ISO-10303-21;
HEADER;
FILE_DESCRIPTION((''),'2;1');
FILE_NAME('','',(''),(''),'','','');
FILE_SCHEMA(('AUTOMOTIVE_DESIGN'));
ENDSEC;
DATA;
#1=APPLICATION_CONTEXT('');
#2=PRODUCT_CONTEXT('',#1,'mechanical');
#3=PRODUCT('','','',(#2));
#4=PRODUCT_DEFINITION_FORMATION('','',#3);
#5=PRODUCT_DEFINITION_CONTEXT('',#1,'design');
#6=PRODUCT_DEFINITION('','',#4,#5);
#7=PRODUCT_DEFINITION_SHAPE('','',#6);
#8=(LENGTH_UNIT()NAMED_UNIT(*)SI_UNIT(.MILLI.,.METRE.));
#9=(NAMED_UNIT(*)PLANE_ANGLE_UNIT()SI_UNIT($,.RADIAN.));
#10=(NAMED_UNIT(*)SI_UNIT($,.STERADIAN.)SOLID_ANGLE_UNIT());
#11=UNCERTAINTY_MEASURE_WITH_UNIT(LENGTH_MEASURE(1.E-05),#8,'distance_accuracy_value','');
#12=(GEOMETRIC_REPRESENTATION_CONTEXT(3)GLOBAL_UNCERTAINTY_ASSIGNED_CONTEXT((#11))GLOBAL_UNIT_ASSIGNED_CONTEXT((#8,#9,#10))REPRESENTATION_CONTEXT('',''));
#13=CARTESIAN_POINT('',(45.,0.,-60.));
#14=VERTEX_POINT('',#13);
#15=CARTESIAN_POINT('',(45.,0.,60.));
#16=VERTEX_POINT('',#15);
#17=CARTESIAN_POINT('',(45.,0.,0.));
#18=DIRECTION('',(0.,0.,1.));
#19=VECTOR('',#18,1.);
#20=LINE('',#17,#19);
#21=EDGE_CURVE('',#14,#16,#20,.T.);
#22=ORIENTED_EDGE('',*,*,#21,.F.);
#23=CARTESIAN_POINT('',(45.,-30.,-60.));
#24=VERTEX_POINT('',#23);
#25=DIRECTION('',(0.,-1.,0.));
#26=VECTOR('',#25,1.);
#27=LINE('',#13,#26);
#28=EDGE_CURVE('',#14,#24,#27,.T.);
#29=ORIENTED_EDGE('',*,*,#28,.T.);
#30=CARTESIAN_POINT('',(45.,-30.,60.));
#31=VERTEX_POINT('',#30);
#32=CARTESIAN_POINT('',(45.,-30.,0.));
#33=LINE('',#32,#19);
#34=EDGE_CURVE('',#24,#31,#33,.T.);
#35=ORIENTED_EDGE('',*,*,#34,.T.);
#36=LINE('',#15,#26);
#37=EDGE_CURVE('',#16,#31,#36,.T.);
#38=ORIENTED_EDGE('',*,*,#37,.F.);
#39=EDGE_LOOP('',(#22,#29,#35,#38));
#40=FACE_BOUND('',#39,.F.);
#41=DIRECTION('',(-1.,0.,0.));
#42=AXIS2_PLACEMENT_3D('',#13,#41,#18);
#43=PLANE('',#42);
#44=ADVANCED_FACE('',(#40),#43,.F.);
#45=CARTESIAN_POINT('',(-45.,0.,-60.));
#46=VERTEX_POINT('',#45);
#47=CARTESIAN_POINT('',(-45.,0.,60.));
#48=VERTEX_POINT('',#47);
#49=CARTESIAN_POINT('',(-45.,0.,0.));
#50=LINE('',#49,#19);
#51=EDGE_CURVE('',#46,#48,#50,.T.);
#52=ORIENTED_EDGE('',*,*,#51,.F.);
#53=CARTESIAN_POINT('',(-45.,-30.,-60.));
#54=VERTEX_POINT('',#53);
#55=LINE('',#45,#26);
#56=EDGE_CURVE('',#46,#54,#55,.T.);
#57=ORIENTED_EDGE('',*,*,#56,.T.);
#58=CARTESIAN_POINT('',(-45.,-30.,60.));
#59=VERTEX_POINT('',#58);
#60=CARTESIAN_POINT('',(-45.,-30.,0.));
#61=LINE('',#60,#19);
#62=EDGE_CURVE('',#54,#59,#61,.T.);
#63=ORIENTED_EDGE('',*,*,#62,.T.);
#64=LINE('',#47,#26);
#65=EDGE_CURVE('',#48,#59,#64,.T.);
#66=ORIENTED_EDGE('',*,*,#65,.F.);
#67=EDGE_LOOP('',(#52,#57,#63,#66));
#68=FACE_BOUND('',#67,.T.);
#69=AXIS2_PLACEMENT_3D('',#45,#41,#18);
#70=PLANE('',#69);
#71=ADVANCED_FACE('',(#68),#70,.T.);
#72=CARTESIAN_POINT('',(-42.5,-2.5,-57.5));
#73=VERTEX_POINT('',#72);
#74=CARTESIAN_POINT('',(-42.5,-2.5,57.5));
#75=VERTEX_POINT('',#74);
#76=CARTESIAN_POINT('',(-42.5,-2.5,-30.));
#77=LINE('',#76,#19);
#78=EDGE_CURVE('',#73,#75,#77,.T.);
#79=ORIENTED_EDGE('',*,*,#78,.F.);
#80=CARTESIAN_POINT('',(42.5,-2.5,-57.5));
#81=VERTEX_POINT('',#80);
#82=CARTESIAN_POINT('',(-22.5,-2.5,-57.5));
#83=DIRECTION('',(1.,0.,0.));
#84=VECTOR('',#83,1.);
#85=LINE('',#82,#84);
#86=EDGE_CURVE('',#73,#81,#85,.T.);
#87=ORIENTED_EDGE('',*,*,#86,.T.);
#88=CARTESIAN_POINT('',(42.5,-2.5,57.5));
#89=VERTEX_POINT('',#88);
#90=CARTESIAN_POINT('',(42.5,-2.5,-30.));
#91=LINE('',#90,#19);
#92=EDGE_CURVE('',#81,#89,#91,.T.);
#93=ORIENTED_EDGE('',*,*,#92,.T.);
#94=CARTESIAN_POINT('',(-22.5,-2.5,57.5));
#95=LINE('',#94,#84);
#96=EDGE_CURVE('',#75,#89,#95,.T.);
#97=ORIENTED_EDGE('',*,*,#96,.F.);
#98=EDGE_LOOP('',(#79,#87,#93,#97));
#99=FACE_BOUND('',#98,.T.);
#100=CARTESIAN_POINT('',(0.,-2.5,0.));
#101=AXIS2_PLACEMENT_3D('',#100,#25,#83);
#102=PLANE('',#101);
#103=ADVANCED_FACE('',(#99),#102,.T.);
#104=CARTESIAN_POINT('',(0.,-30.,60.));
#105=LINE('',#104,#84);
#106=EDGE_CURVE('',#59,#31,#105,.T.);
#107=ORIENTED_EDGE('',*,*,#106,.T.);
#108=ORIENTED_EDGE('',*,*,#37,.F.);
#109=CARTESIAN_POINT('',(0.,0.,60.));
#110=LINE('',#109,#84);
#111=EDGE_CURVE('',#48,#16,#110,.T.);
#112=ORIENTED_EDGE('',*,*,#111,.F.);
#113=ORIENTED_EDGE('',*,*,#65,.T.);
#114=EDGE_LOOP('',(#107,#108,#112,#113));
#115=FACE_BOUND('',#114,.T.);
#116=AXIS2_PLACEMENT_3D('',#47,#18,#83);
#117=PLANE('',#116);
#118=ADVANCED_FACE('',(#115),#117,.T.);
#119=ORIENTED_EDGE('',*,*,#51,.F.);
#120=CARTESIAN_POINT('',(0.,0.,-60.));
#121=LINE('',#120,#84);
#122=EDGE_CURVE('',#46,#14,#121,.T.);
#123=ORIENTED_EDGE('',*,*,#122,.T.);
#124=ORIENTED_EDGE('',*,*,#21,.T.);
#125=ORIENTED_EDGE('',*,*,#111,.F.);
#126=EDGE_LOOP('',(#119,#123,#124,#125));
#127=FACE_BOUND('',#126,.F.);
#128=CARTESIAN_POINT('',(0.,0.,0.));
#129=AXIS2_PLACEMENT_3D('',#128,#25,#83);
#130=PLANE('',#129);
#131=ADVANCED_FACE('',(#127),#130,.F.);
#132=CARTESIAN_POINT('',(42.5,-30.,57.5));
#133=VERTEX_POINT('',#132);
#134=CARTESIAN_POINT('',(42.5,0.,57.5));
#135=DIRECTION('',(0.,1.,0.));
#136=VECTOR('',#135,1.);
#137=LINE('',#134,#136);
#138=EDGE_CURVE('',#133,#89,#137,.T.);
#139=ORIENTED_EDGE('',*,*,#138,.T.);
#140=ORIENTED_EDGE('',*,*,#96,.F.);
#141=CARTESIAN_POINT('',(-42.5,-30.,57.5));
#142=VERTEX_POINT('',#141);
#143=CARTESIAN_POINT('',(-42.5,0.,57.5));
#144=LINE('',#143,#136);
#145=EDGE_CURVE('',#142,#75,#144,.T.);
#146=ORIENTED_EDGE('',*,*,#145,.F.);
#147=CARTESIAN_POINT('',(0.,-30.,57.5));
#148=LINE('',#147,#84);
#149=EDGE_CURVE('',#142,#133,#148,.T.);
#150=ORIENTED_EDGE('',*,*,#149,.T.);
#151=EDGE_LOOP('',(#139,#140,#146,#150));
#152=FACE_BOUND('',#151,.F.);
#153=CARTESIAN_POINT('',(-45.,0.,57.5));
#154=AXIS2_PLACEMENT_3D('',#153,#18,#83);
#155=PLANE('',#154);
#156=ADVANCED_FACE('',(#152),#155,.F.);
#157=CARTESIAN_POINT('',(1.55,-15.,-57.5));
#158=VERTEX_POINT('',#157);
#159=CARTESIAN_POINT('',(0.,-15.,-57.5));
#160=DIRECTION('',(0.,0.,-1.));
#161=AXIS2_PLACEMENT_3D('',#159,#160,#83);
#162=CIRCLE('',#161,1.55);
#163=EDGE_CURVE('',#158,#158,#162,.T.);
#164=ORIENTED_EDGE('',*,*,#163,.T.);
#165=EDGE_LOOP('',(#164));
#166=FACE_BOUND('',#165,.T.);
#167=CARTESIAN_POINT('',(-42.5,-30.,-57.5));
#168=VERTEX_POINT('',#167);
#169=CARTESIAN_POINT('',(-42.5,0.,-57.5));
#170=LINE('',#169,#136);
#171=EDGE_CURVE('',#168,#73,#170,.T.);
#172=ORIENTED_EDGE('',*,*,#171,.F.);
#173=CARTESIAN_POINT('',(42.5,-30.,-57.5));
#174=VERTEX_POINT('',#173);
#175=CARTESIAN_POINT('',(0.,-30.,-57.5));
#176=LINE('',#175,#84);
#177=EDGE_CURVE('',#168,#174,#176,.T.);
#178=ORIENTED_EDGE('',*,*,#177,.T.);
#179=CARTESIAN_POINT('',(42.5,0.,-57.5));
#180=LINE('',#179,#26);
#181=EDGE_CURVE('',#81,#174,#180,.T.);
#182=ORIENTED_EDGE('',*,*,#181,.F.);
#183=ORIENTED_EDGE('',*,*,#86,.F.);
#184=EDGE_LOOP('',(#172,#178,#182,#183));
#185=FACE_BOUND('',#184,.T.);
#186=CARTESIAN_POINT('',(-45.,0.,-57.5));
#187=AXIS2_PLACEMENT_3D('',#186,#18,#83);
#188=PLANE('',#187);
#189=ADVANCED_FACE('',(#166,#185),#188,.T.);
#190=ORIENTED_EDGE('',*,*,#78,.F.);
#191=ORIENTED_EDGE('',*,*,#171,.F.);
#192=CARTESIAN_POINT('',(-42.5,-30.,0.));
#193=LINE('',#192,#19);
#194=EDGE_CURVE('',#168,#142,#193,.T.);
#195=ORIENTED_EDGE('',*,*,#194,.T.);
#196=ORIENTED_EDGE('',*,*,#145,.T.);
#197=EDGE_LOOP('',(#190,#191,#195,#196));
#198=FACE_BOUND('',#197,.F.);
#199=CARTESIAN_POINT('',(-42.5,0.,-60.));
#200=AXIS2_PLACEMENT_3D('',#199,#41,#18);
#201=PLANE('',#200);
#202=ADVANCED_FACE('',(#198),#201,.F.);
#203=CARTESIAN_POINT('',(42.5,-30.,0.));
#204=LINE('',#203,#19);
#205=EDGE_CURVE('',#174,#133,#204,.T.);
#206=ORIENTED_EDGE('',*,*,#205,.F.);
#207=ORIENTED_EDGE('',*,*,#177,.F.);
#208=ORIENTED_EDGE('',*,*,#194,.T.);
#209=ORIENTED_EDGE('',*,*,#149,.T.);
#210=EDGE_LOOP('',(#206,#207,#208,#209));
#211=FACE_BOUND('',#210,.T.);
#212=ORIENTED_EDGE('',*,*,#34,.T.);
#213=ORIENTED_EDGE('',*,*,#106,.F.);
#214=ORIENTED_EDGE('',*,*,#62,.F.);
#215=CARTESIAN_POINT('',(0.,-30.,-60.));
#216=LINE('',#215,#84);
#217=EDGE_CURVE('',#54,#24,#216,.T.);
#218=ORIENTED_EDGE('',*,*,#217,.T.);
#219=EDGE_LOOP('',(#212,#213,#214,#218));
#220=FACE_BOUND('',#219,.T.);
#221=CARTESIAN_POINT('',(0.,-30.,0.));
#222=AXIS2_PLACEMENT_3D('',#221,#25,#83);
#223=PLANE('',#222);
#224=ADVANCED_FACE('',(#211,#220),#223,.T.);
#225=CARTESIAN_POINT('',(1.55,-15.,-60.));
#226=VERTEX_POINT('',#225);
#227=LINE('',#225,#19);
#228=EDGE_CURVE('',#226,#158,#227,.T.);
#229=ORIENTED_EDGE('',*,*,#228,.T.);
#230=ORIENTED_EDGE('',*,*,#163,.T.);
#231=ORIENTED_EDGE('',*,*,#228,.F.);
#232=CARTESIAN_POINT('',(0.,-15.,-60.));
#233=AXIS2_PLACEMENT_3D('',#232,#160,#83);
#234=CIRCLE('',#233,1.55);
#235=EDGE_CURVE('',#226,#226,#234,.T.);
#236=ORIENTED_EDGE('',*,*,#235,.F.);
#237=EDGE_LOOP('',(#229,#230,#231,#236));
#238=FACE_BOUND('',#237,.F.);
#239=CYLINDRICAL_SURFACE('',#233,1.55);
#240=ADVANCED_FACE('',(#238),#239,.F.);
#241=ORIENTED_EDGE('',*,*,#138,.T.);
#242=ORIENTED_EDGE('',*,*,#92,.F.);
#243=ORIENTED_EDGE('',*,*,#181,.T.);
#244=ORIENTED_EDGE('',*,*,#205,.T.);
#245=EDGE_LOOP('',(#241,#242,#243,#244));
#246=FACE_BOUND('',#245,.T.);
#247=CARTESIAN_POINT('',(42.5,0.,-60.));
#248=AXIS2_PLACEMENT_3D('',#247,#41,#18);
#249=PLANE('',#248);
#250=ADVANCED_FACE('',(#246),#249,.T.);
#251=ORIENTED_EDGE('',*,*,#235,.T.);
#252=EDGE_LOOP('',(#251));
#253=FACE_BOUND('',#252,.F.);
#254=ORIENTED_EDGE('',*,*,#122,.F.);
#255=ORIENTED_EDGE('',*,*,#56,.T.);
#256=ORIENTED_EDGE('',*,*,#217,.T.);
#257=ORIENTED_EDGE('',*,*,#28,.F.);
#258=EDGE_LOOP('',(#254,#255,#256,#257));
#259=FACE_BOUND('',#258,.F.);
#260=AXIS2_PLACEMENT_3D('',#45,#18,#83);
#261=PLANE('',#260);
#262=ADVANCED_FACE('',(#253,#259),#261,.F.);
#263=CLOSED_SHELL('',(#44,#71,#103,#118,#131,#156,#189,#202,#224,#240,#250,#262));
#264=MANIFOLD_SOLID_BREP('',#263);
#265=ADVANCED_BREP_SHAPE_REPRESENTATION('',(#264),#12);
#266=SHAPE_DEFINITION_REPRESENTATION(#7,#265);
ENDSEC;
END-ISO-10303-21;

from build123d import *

# Parameters (mm, degrees)
F0_W     = 90
F0_H     = 120
F1_DEPTH = 30
F2_T     = -2.5
F3_R     = 1.55
F4_DEPTH = 25


with BuildPart() as f1:
    # F0 (on Front) → F1 (new body)
    with BuildSketch(Plane.XZ):
        Rectangle(F0_W, F0_H)
    extrude(amount=F1_DEPTH)

    # F2
    f2_openings = [f1.faces().sort_by_distance(p)[0] for p in [
        (0, -30, 0),
    ]]
    offset(amount=F2_T, openings=f2_openings)

    # F3 (on face) → F4 (cut)
    with BuildSketch(Plane(origin=(0, 0, -60), x_dir=(1, 0, 0), z_dir=(0, 0, -1))):
        with Locations((0, 15)):
            Circle(F3_R)
    extrude(amount=-F4_DEPTH, mode=Mode.SUBTRACT)


solid = f1.part
